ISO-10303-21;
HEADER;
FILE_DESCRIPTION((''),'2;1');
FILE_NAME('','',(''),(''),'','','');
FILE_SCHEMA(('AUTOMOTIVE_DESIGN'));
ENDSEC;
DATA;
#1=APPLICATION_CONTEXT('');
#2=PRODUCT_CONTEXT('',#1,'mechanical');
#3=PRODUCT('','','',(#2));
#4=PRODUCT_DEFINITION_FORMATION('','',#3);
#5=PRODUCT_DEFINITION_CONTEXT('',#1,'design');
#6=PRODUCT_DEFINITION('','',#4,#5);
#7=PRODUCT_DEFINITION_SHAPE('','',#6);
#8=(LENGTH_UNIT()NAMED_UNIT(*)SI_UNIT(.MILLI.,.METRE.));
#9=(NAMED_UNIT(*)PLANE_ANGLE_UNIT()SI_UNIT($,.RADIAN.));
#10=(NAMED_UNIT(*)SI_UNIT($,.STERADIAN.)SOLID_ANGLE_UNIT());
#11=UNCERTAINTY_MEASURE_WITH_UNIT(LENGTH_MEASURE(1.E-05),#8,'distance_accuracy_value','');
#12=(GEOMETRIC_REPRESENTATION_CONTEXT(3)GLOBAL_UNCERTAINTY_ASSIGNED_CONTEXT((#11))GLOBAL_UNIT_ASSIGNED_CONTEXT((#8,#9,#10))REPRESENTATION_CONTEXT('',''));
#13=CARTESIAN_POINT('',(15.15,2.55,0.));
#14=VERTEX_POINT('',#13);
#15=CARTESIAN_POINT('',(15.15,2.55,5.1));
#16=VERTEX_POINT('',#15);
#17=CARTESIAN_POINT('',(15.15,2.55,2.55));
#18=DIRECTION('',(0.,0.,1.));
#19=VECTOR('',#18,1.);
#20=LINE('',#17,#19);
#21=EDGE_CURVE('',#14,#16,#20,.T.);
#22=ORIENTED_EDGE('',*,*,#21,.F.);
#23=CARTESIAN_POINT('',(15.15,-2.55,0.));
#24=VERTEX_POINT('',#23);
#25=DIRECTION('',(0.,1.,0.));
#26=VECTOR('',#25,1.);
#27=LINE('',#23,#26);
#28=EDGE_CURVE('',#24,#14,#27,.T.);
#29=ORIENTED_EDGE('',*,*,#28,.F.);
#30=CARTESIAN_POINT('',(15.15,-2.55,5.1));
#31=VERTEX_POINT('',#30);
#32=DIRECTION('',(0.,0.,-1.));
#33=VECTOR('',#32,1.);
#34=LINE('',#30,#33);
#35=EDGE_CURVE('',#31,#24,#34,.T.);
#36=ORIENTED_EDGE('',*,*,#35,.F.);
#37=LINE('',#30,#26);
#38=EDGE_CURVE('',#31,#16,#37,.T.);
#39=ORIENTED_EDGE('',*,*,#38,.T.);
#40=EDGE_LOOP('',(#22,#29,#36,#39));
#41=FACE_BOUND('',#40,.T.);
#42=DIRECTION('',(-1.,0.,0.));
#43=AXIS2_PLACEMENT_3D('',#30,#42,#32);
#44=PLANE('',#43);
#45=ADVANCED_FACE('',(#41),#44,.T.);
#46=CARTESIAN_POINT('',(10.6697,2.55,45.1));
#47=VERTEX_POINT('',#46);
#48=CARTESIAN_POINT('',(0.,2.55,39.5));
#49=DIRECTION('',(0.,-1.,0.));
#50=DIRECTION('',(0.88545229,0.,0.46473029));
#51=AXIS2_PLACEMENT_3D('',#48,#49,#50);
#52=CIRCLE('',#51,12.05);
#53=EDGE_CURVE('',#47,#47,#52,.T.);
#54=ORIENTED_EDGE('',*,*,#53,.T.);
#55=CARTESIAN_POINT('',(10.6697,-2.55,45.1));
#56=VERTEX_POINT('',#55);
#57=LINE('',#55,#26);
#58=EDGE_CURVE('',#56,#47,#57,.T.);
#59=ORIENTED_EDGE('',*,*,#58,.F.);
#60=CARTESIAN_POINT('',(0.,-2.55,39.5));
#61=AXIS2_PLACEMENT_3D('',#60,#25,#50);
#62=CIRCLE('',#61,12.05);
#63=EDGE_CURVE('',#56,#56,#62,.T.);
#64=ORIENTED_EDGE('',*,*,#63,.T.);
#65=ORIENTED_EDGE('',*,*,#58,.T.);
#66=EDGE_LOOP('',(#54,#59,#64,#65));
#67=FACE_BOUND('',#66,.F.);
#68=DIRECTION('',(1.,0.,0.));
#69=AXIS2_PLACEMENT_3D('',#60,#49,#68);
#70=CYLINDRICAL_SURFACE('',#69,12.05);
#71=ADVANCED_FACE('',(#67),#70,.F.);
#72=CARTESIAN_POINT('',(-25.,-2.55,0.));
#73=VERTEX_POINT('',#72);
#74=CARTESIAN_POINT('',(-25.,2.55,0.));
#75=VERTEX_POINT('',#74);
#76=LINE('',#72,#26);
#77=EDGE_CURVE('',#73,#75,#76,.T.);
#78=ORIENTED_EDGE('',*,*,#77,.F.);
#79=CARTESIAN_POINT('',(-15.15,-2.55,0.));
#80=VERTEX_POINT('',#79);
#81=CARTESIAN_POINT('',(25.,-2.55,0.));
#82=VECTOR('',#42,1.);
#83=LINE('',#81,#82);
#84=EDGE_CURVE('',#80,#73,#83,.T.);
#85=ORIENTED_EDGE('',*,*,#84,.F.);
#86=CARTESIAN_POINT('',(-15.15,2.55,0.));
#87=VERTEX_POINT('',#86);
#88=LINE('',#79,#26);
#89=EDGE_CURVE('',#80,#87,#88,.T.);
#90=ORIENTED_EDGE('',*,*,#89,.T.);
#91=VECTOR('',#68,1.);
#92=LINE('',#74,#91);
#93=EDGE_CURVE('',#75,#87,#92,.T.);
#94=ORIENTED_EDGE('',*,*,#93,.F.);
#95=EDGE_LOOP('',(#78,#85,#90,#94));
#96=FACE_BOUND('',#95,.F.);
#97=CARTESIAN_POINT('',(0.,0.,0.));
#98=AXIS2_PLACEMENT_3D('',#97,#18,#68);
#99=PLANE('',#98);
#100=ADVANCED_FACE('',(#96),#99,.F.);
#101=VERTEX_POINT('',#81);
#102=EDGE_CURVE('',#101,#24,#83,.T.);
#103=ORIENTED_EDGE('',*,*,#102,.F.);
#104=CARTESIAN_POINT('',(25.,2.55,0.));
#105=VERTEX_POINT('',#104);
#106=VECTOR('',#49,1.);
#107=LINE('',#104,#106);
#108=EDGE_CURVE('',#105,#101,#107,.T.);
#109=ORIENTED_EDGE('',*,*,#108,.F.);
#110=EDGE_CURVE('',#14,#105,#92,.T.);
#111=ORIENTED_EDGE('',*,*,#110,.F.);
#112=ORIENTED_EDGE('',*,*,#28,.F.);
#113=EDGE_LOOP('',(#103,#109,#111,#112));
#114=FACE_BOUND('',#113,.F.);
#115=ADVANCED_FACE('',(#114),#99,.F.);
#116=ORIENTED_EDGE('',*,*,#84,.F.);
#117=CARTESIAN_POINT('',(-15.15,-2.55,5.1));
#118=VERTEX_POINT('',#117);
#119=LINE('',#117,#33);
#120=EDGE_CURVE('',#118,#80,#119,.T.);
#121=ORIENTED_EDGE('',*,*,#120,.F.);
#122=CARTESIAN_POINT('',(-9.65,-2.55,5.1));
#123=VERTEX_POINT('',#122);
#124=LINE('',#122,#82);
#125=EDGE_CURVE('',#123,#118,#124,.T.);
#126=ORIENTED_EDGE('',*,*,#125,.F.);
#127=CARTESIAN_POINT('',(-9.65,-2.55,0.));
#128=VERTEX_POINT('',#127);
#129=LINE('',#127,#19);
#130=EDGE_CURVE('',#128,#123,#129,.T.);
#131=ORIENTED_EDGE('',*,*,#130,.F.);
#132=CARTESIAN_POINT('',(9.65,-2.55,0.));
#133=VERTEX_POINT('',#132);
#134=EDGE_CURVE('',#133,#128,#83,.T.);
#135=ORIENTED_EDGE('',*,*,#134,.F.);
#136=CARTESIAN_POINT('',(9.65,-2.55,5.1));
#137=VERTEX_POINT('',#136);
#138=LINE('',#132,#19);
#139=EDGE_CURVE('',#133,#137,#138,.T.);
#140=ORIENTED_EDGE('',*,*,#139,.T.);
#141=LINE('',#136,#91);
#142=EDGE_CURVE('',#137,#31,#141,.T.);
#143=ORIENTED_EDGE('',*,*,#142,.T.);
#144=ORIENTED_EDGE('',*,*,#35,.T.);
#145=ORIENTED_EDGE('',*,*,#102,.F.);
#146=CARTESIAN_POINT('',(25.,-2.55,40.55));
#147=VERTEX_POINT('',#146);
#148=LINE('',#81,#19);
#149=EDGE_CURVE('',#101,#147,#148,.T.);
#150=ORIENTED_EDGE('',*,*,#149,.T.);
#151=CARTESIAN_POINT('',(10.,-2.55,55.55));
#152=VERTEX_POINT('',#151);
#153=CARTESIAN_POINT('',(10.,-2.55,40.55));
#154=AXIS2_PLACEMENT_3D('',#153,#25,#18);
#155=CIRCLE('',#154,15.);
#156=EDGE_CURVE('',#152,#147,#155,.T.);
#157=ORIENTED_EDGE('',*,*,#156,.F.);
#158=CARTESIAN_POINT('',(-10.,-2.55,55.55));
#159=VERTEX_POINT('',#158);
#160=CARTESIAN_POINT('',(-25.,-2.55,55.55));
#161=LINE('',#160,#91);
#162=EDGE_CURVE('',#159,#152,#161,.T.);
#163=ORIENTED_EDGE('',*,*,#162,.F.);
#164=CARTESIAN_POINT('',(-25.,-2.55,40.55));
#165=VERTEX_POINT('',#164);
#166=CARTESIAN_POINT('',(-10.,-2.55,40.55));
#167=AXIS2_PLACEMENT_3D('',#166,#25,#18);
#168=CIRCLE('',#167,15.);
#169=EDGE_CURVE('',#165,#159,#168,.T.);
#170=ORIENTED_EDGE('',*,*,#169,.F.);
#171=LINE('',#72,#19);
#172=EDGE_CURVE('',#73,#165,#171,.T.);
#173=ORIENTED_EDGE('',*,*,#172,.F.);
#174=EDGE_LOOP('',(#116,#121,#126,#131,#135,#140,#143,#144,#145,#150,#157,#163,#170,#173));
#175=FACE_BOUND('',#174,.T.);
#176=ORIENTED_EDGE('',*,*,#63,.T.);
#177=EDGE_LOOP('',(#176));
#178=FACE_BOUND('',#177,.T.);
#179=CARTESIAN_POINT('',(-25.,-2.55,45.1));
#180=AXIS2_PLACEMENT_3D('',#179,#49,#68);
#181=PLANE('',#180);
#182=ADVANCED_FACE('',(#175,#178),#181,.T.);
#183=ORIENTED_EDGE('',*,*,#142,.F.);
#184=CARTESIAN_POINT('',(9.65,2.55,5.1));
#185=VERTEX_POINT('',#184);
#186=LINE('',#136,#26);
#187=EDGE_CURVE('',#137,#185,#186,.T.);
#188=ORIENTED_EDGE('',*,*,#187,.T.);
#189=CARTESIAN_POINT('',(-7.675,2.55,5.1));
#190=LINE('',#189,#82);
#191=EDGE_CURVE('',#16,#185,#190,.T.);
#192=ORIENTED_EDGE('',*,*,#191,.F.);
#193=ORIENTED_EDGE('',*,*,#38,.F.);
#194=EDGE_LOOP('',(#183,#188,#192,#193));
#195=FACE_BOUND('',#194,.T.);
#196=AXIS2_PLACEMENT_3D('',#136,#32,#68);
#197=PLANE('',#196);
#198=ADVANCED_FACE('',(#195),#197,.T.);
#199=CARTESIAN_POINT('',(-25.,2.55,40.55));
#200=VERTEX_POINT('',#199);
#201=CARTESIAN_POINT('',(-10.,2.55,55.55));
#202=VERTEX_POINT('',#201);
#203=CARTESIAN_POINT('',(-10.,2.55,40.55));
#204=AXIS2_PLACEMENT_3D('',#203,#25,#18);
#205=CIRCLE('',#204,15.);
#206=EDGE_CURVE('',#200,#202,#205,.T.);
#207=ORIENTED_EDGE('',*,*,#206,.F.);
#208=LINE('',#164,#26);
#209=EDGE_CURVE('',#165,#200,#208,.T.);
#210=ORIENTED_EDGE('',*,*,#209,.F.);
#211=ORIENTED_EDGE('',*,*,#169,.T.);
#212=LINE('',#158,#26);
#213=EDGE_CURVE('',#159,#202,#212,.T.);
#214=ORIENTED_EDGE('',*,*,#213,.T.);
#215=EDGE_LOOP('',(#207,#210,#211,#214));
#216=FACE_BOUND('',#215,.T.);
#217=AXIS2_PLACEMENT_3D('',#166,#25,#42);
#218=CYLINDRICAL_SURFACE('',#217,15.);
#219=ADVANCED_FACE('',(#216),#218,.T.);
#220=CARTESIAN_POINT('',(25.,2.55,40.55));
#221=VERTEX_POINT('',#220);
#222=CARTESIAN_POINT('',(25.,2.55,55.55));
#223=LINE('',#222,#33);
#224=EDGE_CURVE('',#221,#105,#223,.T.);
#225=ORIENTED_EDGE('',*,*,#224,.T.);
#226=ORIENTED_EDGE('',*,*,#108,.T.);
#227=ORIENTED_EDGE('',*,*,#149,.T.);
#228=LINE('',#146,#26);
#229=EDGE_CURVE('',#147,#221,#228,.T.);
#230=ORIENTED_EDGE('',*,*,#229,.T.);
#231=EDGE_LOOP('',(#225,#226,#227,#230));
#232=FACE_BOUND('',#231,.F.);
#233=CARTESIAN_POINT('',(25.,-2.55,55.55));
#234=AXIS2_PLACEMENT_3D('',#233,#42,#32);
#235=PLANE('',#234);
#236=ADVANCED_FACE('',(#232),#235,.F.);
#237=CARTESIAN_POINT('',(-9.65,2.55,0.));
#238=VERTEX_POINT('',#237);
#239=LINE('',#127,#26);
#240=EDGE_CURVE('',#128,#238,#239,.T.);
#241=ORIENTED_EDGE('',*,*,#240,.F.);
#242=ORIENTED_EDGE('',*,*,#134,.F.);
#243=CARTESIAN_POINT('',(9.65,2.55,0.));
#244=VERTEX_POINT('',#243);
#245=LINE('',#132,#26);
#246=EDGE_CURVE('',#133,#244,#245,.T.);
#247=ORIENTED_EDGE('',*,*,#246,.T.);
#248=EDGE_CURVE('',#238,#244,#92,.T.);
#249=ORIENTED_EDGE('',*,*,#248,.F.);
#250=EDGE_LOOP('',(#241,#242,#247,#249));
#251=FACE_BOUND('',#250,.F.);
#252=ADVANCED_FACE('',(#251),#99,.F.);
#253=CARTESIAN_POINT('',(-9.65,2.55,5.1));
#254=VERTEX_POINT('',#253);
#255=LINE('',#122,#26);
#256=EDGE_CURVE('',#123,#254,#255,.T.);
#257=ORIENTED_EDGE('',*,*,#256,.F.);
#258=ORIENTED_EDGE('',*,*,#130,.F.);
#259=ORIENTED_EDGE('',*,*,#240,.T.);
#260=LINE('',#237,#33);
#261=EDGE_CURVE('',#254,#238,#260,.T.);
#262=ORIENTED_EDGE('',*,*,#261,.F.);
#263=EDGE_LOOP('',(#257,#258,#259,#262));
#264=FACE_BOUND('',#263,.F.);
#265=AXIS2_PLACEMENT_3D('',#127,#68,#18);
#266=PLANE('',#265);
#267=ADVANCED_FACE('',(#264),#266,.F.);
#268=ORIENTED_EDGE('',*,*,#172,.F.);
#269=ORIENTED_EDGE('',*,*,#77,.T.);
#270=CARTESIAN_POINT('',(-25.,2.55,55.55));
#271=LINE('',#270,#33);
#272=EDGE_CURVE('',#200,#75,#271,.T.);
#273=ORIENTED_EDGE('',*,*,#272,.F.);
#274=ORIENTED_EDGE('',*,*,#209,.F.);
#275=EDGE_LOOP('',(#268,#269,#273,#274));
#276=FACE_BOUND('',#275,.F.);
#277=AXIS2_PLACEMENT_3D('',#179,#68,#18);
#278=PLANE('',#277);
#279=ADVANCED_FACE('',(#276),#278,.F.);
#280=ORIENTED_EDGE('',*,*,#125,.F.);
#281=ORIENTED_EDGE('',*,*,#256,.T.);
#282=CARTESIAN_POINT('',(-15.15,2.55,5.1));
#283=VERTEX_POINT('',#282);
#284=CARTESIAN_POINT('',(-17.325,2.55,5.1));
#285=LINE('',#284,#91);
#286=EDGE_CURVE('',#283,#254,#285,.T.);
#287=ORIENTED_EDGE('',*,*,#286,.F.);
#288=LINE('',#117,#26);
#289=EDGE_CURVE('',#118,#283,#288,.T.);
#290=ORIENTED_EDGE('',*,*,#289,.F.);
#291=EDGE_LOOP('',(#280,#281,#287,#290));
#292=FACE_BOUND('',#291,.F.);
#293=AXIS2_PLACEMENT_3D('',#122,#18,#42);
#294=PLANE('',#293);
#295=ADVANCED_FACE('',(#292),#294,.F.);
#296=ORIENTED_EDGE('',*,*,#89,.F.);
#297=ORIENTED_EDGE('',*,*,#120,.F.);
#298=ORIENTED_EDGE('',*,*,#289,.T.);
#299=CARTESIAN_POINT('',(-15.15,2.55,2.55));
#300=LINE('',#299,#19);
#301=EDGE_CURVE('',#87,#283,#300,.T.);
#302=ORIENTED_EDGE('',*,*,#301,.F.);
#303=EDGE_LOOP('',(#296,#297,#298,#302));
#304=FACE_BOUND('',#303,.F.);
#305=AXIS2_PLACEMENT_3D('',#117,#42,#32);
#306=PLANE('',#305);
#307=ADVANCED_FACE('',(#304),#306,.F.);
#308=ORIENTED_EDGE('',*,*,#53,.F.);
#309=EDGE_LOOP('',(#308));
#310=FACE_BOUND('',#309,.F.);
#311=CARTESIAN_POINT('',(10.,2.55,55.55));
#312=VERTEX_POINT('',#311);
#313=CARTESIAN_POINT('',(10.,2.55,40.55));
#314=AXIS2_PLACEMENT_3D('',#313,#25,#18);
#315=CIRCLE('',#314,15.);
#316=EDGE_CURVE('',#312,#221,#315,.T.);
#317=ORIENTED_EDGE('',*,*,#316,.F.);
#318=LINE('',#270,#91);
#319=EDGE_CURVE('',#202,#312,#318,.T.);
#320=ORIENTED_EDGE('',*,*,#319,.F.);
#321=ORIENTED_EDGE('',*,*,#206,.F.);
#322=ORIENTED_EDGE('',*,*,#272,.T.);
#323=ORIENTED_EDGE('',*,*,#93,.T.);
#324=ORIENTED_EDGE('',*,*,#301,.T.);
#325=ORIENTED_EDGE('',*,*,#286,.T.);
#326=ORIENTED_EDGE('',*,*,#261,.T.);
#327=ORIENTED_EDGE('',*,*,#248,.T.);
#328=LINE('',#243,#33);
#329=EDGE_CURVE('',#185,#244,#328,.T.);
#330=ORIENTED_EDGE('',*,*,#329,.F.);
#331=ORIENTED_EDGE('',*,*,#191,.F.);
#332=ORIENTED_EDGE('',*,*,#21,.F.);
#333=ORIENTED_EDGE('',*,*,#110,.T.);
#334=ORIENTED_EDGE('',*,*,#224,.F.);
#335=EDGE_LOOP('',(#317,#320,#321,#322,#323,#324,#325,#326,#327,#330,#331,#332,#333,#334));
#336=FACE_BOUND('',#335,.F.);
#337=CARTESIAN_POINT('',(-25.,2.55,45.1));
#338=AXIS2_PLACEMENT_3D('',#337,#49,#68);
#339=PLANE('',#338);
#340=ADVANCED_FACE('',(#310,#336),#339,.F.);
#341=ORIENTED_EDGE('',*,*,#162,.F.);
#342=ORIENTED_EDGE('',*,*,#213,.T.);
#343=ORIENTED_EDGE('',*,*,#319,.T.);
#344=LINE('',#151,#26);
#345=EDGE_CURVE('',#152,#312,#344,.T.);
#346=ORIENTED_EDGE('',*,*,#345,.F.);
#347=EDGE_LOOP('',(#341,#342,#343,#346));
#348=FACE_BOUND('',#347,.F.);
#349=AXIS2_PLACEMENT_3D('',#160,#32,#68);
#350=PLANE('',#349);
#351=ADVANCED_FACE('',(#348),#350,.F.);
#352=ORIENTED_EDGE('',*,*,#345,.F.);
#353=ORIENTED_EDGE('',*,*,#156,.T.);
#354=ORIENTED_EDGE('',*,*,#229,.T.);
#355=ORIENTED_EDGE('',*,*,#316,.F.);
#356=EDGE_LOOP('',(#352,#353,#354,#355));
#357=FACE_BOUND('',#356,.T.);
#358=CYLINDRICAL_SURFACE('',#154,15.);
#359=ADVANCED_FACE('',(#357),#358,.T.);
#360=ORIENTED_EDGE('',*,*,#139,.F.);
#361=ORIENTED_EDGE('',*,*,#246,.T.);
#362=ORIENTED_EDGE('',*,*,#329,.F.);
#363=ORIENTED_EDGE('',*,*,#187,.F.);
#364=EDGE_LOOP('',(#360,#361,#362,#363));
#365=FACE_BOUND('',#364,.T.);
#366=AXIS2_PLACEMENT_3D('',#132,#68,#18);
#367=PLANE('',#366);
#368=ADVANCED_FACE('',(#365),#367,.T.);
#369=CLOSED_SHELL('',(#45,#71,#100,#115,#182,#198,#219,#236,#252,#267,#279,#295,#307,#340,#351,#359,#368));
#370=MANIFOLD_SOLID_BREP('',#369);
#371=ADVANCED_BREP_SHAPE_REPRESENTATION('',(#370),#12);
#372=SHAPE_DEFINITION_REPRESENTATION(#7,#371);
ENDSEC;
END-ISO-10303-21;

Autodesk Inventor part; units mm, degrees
ref_plane "YZ Plane" through (0, 0, 0) normal (1, 0, 0) x (0, 1, 0)
ref_plane "XZ Plane" through (0, 0, 0) normal (0, 1, 0) x (-1, 0, 0)
ref_plane "XY Plane" through (0, 0, 0) normal (0, 0, 1) x (1, 0, 0)
sketch "Sketch1" plane through (0, 0, 0) normal (0, 0, 1) x (1, 0, 0)
  line L0 (25, -2.55) -> (-25, -2.55)
  line L1 (-25, -2.55) -> (-25, 2.55)
  line L2 (-25, 2.55) -> (25, 2.55)
  line L3 (25, 2.55) -> (25, -2.55)
  line L4 (25, -2.55) -> (-25, 2.55) construction
  line L5 (-25, -2.55) -> (25, 2.55) construction
  point P0 (0, 0)
  dimension "d0" = 50
  dimension "d1" = 5.1
extrude "Extrusion1" add sketch "Sketch1" along normal blind 45.1
sketch "Sketch2" plane through (-25, -2.55, 0) normal (0, -1, 0) x (1, 0, 0)
  line L0 (50, 0) -> (0, 0) projected
  line L1 (9.85, 0) -> (15.35, 0)
  line L2 (15.35, 0) -> (15.35, 5.1)
  line L3 (15.35, 5.1) -> (9.85, 5.1)
  line L4 (9.85, 5.1) -> (9.85, 0)
  line L5 (40.15, 0) -> (34.65, 0)
  line L6 (34.65, 0) -> (34.65, 5.1)
  line L7 (34.65, 5.1) -> (40.15, 5.1)
  line L8 (40.15, 5.1) -> (40.15, 0)
  line L9 (50, 0) -> (50, 45.1) projected
  line L10 (0, 0) -> (0, 45.1) projected
  point P0 (25, 0)
  point P1 (40.15, 2.55)
  dimension "d5" = 5.1
  dimension "d9" = 5.1
  dimension "d17" = 9.85
  dimension "d25" = 5.5
  dimension "d26" = 5.5
  dimension "d27" = 9.85
extrude "Extrusion2" cut sketch "Sketch2" against normal blind 45.1
sketch "Sketch3" plane through (-25, -2.55, 45.1) normal (0, -1, 0) x (1, 0, 0)
  circle A0 centre (25, -5.6) radius 3.45
  line L0 (0, 0) -> (50, 0) projected
  circle A1 centre (25, -5.6) radius 12.05
  line L1 (50, 0) -> (0, 0)
  line L2 (0, 0) -> (0, 10.45)
  line L3 (0, 10.45) -> (50, 10.45)
  line L4 (50, 10.45) -> (50, 0)
  line L5 (0, -45.1) -> (0, 0) projected
  point P0 (25, -45.1)
  point P1 (14.3303, 0)
  point P2 (35.6697, 0)
  dimension "d12" = 6.9
  dimension "d13" = 5.6
  dimension "d14" = 25
  dimension "d19" = 24.1
  dimension "d20" = 16.05
extrude "Extrusion3" cut sketch "Sketch3" against normal blind 45.1 contours A0 | L0 A1 picked at (25.1386, -0.7251)
extrude "Extrusion4" add sketch "Sketch3" against normal up to surface (5.1 mm away) contours L2 L3 L4 L0 A1
fillet "Fillet1" radius 15 2 edges at (25, 0, 55.55) (-25, 0, 55.55)
equation "\"d26\" = d25"
equation "\"d27\" = d17"
properties part number "motorholder1A" material "Polycarbonate, Smoke"
